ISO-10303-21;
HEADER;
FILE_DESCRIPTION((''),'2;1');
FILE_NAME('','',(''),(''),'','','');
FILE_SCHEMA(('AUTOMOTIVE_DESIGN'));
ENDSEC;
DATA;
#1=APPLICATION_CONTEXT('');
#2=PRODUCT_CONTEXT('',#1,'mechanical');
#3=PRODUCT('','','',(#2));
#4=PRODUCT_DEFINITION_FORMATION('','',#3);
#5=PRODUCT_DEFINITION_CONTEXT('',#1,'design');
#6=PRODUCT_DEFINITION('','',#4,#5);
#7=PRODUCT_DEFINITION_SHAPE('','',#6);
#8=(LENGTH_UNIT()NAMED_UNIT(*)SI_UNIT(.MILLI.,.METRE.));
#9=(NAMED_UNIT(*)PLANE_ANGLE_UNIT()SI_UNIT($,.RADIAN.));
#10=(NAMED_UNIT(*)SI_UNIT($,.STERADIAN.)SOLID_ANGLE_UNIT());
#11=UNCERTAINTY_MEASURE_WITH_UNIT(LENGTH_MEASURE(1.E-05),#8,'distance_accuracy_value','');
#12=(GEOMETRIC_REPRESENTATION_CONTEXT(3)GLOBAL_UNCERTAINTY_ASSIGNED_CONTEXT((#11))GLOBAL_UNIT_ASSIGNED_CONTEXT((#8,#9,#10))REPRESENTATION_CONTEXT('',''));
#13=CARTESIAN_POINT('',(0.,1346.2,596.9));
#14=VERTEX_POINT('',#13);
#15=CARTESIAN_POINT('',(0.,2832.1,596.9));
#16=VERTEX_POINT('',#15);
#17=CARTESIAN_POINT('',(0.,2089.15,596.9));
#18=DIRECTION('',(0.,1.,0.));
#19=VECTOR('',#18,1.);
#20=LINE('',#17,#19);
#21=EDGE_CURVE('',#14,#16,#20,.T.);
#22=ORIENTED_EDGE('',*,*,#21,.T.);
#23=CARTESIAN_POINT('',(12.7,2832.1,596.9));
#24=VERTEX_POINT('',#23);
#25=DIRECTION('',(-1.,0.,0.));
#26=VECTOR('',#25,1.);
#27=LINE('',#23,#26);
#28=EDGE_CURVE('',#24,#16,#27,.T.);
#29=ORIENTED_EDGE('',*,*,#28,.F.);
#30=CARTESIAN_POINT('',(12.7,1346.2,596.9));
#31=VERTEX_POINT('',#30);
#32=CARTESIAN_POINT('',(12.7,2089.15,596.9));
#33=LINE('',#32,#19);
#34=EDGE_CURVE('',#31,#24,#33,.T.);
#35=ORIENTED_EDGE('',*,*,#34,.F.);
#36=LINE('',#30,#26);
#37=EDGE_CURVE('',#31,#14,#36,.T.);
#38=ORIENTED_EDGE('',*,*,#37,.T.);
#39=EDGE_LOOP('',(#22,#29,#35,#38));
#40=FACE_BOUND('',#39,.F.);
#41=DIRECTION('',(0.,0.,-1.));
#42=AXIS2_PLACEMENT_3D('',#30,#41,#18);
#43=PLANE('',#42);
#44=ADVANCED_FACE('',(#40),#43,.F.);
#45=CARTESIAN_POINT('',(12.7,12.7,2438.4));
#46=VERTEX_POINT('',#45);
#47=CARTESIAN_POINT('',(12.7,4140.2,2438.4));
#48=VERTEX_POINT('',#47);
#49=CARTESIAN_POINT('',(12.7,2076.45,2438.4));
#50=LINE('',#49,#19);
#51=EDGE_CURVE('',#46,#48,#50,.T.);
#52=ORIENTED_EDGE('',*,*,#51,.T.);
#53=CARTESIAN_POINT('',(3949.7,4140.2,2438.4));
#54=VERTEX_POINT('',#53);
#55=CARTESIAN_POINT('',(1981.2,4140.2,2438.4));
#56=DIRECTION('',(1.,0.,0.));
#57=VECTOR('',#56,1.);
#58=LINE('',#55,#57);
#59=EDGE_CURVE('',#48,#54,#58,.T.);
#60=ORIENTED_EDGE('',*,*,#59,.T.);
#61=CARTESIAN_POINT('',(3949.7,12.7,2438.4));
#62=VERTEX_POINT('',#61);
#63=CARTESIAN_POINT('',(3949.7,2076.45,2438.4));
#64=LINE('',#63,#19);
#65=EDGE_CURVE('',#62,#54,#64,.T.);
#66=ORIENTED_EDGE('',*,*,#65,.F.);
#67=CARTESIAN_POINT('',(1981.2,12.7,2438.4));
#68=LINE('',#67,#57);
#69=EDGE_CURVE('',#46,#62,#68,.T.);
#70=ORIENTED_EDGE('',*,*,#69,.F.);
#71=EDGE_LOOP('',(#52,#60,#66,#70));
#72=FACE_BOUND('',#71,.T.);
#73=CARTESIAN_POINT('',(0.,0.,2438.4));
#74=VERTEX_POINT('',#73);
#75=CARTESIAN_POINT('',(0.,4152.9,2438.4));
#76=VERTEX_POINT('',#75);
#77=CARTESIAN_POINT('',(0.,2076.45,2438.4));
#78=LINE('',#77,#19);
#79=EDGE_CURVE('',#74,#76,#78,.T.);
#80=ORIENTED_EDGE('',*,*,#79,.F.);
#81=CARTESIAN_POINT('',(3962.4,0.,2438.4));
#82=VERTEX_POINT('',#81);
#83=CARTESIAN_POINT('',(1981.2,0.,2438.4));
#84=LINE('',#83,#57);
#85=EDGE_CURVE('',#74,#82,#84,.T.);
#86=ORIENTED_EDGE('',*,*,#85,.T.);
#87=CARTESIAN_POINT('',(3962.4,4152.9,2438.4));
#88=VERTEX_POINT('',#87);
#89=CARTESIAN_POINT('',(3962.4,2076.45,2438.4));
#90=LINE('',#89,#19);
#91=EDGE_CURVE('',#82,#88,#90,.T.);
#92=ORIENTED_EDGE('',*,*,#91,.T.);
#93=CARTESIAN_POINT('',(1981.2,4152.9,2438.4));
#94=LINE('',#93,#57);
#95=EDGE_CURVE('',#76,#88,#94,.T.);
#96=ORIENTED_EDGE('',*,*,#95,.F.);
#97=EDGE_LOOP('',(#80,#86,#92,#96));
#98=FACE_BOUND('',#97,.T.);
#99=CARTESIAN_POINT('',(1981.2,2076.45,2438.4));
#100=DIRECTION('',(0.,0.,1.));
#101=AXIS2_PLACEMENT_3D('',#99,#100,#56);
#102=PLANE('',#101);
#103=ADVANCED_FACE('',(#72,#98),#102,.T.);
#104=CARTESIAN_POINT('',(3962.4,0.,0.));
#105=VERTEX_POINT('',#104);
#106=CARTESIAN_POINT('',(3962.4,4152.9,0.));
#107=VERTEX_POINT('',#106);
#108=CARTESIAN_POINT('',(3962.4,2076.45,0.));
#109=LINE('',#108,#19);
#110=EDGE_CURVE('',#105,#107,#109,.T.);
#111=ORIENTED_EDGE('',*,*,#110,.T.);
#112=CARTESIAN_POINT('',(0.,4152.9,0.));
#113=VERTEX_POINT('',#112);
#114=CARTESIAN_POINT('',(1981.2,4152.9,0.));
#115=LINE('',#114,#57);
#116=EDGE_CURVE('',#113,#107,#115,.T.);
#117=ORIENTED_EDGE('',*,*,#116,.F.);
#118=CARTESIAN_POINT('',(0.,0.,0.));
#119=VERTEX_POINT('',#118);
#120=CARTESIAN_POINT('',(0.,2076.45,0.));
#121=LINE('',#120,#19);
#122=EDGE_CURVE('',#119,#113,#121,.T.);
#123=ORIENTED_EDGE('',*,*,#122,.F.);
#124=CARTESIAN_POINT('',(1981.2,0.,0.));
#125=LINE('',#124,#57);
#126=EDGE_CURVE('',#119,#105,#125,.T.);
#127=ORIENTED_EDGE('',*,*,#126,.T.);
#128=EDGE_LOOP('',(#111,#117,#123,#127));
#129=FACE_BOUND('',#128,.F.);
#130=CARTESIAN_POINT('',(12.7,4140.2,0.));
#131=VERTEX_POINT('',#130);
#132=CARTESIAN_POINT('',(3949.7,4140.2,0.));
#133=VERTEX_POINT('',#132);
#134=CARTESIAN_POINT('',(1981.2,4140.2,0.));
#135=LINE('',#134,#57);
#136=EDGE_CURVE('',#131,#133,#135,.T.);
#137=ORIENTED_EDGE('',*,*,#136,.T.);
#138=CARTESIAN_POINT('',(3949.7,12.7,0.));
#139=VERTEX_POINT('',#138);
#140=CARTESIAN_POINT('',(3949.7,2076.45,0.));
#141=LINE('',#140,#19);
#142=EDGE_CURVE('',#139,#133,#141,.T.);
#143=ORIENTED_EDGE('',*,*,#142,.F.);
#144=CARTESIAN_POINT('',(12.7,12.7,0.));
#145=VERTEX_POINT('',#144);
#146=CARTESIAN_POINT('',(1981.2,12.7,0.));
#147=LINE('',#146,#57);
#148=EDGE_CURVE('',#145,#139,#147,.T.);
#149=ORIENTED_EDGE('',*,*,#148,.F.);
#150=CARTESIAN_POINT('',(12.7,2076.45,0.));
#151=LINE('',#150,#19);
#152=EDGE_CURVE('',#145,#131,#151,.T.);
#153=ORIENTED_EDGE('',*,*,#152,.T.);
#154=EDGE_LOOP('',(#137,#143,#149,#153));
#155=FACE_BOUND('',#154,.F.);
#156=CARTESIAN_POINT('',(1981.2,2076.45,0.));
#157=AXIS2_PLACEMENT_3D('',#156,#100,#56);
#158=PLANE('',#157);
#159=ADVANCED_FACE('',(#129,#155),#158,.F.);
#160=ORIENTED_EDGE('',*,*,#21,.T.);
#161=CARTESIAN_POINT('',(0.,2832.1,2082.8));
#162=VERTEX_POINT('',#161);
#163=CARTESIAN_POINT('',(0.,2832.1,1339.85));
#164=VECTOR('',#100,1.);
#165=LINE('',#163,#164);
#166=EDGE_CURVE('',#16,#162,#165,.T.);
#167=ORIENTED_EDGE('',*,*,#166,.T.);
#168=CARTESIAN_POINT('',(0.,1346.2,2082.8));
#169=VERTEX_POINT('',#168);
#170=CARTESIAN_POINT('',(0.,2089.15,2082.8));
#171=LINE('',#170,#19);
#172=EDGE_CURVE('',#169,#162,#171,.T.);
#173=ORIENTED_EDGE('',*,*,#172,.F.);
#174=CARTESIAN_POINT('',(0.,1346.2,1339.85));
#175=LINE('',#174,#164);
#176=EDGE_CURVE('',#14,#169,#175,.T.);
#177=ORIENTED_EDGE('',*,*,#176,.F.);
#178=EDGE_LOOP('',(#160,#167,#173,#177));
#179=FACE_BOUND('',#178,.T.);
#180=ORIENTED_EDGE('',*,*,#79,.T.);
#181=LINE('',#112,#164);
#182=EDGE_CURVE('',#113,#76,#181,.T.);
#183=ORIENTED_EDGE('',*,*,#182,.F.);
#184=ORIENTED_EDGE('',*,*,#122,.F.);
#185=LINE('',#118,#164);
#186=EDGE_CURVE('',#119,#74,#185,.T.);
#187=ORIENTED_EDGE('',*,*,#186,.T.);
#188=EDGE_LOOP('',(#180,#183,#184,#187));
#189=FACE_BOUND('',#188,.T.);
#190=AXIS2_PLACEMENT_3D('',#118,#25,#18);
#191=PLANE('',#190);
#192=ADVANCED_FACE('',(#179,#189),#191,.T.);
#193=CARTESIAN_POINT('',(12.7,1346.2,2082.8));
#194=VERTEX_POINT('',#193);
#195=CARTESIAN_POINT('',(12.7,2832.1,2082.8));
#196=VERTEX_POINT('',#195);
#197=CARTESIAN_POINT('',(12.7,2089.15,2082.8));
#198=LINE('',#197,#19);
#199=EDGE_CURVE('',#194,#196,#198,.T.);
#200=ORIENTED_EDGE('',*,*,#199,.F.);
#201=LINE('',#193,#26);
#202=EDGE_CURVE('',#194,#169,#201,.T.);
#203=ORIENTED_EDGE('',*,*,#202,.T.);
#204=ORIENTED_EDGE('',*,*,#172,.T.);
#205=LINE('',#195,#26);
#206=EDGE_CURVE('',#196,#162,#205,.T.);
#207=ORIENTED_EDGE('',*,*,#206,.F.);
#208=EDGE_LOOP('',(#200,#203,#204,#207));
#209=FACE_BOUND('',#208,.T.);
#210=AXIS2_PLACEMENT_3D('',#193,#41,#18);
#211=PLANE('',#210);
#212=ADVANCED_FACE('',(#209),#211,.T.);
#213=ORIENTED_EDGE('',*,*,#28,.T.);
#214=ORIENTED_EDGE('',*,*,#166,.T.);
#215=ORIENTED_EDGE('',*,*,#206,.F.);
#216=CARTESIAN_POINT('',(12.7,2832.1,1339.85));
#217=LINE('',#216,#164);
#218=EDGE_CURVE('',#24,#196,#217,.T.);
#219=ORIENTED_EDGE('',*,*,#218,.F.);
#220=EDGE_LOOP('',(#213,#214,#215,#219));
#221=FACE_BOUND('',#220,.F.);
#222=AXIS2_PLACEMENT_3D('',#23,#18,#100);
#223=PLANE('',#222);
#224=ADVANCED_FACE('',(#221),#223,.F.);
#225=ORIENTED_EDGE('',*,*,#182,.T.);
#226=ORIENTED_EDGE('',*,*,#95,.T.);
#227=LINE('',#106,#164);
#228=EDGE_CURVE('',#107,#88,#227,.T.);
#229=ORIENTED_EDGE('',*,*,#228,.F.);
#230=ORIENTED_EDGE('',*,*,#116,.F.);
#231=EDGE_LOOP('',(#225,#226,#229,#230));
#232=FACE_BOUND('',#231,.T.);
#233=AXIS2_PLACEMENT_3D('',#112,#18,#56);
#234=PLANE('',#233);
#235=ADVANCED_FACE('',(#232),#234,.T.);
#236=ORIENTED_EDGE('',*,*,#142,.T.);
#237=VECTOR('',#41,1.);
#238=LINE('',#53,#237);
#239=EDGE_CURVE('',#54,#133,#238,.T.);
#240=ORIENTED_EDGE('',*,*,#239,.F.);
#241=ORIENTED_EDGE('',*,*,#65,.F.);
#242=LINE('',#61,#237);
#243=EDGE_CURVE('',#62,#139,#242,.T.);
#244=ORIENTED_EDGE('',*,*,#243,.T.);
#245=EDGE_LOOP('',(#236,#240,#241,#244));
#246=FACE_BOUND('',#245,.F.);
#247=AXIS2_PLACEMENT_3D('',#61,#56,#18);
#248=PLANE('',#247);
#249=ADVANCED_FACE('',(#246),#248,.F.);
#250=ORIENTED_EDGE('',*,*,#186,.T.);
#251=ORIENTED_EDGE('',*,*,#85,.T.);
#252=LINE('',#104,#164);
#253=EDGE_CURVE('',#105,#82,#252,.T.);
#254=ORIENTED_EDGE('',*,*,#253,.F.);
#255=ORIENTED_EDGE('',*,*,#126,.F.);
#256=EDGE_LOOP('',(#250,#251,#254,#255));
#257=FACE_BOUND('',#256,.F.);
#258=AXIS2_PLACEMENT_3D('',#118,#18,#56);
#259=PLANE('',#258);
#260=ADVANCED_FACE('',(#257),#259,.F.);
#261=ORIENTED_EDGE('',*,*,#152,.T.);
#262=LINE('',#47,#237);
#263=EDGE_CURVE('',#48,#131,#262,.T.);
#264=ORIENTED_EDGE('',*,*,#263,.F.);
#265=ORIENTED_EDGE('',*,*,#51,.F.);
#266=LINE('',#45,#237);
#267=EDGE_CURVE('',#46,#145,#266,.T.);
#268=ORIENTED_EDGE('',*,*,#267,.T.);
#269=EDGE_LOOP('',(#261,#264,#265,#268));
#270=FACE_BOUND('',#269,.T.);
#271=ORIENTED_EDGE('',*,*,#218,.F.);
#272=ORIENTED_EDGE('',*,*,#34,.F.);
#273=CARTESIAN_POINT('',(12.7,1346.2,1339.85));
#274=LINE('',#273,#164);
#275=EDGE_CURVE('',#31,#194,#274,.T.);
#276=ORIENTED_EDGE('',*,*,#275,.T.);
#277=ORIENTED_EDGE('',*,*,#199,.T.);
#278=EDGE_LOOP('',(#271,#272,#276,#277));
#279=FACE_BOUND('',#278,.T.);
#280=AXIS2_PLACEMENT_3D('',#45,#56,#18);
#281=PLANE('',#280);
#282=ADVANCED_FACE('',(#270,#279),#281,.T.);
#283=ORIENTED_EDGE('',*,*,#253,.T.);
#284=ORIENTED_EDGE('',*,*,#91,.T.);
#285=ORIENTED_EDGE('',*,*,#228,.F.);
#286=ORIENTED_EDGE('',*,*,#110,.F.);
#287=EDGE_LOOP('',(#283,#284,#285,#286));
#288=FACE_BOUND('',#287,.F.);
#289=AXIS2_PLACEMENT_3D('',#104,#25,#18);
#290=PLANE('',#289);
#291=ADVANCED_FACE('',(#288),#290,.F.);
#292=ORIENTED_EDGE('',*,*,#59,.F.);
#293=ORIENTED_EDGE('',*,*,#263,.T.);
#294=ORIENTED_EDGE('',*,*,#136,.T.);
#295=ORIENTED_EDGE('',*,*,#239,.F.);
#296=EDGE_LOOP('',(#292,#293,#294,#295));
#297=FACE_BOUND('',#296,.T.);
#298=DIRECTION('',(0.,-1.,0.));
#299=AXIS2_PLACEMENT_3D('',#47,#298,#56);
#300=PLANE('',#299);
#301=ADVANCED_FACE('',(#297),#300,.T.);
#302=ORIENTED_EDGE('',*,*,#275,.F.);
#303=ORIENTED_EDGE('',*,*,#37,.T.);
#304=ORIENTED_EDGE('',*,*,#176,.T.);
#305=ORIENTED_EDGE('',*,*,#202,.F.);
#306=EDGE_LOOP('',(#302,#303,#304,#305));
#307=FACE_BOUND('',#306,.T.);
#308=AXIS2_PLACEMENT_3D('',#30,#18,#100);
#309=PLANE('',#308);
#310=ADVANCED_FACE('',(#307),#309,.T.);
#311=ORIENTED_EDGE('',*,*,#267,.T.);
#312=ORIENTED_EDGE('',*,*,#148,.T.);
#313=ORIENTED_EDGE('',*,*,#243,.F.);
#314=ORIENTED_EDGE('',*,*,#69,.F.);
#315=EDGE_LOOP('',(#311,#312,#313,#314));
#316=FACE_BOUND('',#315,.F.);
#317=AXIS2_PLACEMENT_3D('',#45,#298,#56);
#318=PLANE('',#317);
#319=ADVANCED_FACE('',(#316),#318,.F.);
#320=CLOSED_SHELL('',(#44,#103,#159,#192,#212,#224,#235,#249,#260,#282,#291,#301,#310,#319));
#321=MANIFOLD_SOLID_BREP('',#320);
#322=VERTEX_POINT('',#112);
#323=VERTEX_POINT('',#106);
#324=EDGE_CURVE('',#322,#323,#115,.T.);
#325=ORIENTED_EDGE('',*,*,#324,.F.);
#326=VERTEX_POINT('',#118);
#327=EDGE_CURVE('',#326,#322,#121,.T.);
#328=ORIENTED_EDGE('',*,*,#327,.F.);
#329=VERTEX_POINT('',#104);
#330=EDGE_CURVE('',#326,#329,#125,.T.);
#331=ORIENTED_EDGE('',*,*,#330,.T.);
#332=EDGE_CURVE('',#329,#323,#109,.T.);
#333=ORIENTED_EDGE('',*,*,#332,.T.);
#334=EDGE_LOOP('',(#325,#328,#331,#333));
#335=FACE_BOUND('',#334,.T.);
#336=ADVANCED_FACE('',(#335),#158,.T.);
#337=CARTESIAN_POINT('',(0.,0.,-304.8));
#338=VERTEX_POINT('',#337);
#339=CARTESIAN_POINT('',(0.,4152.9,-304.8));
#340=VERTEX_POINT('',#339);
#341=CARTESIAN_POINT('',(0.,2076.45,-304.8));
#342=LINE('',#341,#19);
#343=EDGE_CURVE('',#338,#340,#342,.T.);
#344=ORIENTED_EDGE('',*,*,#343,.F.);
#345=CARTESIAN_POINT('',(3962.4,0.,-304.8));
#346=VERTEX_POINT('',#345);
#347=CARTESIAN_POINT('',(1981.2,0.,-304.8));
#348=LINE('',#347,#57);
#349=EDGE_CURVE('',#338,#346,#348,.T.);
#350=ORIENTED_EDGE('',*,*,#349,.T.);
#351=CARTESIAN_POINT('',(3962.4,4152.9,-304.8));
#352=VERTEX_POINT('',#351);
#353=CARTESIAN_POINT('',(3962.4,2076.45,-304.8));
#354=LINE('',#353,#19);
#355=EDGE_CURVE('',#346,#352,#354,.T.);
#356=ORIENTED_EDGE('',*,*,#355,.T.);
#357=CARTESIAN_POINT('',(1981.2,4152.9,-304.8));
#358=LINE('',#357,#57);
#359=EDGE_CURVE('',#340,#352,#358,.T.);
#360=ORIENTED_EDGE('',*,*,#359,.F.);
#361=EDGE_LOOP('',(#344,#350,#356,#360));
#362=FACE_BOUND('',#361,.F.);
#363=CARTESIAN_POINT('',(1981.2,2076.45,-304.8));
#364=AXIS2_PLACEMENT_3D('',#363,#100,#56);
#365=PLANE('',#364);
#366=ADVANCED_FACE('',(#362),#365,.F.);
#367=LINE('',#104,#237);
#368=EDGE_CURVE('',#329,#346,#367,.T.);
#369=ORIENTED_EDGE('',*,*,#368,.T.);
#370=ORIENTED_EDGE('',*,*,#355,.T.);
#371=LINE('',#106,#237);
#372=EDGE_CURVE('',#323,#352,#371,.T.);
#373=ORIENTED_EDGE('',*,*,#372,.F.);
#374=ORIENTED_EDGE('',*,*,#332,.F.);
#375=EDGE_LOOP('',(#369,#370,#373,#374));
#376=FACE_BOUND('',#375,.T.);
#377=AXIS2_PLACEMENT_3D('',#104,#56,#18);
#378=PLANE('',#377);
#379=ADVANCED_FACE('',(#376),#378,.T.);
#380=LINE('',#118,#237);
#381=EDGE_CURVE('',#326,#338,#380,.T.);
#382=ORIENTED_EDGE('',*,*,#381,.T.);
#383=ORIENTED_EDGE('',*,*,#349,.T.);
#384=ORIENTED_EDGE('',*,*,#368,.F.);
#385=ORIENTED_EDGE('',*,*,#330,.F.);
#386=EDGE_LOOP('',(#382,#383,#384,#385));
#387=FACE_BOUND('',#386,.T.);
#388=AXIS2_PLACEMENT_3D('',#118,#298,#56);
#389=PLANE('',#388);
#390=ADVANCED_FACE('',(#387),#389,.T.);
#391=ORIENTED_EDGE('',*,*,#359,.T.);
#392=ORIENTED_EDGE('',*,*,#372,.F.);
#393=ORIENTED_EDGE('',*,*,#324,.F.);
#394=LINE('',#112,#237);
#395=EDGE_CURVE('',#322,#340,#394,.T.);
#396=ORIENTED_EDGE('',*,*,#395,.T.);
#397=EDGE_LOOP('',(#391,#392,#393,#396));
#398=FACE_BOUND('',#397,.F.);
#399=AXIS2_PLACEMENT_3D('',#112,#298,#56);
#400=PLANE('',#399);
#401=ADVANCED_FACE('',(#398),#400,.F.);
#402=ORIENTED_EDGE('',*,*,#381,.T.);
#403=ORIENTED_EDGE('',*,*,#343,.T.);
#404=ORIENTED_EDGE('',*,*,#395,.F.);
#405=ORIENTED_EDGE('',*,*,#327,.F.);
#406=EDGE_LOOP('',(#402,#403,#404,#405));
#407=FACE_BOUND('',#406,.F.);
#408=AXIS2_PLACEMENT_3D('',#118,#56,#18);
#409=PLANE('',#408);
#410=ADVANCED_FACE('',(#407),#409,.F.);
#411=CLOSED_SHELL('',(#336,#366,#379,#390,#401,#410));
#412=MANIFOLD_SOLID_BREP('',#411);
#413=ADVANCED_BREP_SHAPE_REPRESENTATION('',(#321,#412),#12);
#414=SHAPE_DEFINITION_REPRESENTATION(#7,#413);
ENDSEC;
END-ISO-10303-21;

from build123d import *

# Parameters (mm, degrees)
F2_W     = 3962.4
F2_H     = 4152.9
F3_DEPTH = 304.8
F4_DEPTH = 2438.4
F5_W     = 3937
F5_H     = 4127.5
F6_DEPTH = 2438.4
F7_W     = 1485.9
F7_H     = 1485.9
F8_DEPTH = 12.7


with BuildPart() as f3:
    # F2 (on Top) → F3 (new body)
    with BuildSketch(Plane.XY):
        with Locations((1981.2, 2076.45)):
            Rectangle(F2_W, F2_H)
    extrude(amount=-F3_DEPTH)


with BuildPart() as f4:
    # F2 (on Top) → F4 (new body)
    with BuildSketch(Plane.XY):
        with Locations((1981.2, 2076.45)):
            Rectangle(F2_W, F2_H)
    extrude(amount=F4_DEPTH)

    # F5 (on face) → F6 (cut, through all)
    with BuildSketch(Plane.XY.offset(2438.4)):
        with Locations((1981.2, 2076.45)):
            Rectangle(F5_W, F5_H)
    extrude(amount=-F6_DEPTH, mode=Mode.SUBTRACT)

    # F7 (on face) → F8 (cut, through all)
    with BuildSketch(Plane.YZ.offset(12.7)):
        with Locations((2089.15, 1339.85)):
            Rectangle(F7_W, F7_H)
    extrude(amount=-F8_DEPTH, mode=Mode.SUBTRACT)


solid = Compound([f3.part, f4.part])
